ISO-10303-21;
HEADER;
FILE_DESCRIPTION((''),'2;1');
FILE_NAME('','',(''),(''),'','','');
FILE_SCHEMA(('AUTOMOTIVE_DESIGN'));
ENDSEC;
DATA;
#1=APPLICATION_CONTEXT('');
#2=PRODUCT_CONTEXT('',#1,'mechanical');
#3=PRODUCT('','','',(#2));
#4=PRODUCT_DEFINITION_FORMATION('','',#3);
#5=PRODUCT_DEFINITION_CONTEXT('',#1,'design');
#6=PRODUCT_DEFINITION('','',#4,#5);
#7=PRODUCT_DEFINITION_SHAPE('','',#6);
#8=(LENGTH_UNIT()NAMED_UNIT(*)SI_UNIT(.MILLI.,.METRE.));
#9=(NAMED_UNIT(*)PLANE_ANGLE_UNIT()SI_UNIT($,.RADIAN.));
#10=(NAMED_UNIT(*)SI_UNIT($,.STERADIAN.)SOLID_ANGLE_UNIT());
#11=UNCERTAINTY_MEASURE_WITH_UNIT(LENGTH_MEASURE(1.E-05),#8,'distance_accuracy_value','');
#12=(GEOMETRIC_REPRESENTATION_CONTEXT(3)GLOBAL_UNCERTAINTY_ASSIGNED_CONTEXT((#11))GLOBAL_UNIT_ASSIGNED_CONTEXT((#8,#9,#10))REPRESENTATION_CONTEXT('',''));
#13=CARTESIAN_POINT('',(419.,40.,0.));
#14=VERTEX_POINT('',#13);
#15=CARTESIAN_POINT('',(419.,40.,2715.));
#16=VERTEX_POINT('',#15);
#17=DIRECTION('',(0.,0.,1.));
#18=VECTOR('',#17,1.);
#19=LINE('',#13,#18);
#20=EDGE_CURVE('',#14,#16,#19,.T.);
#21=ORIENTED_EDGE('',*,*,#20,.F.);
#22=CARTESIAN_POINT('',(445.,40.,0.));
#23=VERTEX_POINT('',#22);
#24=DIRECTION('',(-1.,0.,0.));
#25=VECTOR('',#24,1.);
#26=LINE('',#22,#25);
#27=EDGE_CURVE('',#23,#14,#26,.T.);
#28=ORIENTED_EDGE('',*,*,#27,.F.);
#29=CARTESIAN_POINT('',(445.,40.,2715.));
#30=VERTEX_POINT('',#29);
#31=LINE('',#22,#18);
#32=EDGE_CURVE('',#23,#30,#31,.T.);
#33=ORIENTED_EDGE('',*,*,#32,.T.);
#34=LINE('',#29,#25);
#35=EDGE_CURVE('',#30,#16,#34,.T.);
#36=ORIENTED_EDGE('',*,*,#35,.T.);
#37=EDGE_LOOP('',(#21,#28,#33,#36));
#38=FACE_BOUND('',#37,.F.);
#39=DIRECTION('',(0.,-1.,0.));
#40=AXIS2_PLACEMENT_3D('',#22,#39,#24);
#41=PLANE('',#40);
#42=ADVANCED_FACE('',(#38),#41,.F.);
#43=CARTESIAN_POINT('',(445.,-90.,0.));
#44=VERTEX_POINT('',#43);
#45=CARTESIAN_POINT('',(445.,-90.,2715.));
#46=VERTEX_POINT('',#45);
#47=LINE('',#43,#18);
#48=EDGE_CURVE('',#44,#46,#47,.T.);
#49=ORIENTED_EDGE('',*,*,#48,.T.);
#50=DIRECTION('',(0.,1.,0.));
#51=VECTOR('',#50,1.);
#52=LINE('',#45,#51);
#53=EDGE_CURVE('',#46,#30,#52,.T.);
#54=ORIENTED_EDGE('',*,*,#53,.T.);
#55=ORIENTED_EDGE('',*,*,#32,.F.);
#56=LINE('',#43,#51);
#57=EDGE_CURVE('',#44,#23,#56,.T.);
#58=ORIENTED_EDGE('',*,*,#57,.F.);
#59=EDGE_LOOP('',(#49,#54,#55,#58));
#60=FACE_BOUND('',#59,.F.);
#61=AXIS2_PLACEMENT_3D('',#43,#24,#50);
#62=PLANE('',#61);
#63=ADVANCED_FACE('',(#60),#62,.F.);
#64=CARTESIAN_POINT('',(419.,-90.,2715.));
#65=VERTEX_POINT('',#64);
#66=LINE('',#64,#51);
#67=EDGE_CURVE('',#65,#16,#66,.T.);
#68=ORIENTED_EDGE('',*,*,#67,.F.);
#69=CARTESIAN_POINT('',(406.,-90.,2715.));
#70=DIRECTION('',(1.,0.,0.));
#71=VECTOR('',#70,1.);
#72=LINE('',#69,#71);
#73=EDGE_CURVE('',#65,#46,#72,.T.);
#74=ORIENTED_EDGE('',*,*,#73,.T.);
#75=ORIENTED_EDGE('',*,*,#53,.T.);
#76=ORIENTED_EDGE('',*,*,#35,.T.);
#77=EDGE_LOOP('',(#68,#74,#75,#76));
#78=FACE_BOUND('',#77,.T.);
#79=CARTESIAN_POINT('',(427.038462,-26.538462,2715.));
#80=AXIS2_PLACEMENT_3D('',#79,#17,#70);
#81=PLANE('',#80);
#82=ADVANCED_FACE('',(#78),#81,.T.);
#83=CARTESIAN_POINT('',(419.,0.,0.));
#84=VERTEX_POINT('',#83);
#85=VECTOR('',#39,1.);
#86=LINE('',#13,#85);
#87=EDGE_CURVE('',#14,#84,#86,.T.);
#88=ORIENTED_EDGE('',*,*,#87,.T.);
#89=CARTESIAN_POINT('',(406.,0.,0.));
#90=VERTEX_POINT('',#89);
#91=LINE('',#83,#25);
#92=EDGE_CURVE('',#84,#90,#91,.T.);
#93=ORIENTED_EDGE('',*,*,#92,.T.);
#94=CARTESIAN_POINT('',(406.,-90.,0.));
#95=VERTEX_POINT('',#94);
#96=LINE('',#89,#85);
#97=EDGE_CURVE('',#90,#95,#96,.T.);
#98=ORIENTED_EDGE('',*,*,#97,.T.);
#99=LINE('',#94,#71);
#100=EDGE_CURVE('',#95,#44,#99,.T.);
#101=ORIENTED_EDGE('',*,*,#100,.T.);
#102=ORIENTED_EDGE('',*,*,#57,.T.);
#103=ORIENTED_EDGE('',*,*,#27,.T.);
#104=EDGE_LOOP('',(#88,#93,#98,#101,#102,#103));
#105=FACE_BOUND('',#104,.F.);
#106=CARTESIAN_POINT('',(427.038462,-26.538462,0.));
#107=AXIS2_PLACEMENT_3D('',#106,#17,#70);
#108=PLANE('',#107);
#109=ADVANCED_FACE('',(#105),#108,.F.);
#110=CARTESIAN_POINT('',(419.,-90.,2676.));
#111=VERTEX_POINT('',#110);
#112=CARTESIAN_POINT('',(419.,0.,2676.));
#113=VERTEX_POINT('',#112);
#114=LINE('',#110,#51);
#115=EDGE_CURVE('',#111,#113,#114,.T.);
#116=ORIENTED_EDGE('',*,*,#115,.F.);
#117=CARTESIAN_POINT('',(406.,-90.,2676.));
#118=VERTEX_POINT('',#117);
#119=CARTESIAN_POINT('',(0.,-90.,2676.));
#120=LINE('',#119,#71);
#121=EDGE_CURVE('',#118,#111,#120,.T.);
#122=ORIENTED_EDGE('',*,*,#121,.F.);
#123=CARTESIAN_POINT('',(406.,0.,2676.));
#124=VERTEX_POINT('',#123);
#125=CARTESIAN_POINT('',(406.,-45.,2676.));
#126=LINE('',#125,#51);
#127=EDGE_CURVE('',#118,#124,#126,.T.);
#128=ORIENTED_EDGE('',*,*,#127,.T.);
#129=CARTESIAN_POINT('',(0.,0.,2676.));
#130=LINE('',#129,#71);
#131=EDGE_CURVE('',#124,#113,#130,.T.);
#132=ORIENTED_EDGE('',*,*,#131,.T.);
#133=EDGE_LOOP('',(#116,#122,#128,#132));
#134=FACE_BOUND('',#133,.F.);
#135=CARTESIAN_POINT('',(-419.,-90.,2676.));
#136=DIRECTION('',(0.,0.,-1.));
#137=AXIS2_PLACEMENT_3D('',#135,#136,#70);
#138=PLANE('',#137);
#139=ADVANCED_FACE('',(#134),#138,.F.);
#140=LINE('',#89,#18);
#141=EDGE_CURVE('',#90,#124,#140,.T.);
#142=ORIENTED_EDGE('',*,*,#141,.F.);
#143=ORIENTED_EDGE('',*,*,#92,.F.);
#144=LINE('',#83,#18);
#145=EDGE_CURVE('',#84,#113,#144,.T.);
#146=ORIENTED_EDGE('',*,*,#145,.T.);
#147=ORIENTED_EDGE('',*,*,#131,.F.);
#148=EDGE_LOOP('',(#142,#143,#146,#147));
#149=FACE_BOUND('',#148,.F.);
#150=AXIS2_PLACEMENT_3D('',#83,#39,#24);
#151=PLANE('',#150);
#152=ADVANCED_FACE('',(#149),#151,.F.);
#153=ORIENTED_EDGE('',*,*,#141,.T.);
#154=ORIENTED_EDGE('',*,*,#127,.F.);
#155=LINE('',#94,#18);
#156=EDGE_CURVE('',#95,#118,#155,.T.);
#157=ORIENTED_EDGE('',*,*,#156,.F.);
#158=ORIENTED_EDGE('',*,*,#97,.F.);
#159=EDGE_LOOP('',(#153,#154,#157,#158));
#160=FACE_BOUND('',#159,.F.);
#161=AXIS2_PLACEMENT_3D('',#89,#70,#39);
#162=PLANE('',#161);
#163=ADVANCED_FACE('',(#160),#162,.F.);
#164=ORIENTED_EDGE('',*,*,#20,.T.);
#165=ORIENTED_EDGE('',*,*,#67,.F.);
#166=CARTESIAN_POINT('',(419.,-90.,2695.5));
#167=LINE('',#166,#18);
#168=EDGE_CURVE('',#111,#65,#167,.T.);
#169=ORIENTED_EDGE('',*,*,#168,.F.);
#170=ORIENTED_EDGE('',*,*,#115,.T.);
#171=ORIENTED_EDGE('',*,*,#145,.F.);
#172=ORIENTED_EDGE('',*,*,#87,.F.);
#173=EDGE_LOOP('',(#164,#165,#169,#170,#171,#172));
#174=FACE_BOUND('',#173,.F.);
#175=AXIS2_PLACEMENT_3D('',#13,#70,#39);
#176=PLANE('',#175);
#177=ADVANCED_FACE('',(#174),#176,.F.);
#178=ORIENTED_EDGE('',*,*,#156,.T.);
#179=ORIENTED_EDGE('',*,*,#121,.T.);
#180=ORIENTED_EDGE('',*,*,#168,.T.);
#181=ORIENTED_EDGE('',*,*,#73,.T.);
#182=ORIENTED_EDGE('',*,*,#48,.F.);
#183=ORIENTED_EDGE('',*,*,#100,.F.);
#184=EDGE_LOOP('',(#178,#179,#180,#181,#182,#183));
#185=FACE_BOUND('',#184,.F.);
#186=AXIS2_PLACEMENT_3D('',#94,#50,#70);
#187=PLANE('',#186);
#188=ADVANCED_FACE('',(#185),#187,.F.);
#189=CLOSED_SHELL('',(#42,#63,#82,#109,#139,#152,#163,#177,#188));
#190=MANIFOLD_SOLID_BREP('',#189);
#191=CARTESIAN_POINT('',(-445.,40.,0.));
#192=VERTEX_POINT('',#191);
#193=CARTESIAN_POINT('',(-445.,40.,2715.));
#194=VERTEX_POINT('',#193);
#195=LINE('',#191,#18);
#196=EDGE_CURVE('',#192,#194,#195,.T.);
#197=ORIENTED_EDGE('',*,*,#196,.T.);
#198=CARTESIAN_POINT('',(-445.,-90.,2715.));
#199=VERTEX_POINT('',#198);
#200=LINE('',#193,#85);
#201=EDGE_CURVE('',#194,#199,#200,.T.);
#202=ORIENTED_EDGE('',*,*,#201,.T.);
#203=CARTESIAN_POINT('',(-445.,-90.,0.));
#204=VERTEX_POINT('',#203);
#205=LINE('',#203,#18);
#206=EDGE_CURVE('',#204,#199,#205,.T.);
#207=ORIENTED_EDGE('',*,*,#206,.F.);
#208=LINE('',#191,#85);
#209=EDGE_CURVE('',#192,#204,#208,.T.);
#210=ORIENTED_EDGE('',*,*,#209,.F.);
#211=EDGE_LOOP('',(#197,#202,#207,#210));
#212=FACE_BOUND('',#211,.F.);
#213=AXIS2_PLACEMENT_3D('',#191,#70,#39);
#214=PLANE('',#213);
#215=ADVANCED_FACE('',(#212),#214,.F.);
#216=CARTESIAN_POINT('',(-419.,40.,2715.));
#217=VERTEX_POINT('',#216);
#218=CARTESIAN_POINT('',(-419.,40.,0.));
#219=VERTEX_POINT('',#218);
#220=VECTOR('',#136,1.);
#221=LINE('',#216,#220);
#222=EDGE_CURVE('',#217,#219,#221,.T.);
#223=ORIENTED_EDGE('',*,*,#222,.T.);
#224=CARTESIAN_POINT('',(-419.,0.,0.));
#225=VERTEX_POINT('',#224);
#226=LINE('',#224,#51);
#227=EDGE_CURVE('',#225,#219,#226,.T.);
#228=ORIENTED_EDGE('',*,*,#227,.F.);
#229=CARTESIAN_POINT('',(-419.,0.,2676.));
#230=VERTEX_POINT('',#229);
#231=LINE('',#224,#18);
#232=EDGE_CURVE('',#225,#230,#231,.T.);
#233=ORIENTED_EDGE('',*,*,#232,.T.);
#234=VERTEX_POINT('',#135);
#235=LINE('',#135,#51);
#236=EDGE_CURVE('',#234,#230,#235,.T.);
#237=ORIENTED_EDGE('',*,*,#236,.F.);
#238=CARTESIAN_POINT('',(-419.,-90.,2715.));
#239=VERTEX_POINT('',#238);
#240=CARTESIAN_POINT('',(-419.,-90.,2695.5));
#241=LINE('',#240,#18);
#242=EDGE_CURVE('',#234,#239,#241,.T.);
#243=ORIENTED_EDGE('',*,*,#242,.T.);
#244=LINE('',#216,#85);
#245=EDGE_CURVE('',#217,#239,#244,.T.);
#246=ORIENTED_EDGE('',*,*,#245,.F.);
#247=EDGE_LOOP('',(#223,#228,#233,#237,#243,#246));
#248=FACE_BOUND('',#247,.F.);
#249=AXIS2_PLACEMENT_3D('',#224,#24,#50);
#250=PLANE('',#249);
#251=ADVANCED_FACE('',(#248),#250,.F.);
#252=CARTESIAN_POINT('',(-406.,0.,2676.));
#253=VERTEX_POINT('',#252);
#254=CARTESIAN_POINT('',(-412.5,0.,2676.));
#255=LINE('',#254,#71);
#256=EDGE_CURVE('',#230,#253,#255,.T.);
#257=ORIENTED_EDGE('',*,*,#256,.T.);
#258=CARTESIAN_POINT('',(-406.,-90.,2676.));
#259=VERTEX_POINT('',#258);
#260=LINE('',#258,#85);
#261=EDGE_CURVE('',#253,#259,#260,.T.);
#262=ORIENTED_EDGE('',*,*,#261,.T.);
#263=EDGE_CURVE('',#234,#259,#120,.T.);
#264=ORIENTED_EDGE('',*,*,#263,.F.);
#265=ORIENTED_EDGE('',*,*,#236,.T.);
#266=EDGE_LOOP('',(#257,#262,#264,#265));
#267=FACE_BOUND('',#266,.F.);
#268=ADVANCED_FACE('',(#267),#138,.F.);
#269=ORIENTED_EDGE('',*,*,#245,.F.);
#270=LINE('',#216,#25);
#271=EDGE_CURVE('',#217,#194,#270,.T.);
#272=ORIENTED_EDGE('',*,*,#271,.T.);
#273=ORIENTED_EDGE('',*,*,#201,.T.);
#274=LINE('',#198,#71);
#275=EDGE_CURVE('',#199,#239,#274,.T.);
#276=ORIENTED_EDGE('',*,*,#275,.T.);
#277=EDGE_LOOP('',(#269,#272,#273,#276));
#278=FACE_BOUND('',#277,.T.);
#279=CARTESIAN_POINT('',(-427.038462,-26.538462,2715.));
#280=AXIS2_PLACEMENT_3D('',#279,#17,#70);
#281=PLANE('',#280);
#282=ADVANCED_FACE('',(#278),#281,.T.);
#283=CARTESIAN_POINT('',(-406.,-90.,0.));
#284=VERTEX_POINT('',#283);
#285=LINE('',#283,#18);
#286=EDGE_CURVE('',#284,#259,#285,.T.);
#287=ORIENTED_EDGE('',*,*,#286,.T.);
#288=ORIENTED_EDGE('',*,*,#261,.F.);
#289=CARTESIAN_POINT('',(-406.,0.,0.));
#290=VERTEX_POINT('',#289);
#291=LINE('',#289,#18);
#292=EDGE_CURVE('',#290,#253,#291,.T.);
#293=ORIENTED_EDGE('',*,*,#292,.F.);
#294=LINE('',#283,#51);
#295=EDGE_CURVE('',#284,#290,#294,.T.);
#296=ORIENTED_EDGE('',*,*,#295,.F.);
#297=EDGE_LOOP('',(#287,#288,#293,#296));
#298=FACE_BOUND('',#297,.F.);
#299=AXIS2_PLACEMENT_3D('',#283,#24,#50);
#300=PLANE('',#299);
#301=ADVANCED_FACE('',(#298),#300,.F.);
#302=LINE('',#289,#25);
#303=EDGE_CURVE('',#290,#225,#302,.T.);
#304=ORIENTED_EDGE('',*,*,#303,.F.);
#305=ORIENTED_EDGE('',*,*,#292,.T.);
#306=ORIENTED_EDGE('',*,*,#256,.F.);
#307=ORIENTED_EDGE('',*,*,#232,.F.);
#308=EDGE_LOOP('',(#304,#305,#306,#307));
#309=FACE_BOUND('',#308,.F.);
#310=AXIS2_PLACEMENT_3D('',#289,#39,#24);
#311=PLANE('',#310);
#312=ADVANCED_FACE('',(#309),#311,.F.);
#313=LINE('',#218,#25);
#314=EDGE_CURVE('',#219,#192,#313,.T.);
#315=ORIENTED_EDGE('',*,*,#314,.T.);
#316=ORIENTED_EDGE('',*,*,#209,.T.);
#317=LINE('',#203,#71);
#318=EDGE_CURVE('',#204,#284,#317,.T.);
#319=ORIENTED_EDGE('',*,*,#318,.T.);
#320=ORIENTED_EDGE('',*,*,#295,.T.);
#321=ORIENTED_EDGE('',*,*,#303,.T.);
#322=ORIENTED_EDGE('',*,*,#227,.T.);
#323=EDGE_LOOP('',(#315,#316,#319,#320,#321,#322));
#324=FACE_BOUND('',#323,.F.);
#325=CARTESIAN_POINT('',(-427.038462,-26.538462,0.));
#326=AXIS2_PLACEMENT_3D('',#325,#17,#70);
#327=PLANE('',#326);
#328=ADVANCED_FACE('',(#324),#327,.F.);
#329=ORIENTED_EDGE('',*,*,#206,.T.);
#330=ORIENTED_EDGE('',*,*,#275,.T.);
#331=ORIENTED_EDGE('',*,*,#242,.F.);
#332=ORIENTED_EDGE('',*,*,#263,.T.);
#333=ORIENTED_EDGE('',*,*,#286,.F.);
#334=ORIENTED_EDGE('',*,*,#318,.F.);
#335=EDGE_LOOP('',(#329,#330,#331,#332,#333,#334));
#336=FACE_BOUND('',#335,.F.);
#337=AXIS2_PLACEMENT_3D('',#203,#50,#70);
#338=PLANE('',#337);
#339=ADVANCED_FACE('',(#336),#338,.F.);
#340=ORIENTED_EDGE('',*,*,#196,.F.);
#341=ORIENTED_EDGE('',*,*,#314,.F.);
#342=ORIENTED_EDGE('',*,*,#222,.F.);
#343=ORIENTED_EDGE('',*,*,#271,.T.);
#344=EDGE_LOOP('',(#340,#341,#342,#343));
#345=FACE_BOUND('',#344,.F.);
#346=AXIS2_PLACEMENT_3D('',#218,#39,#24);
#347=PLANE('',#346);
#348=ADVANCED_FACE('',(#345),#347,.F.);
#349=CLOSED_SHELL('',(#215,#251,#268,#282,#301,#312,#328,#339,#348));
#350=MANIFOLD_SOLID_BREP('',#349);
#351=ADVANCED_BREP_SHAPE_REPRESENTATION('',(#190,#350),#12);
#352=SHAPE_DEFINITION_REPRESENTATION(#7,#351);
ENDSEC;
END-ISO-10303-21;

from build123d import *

# Parameters (mm, degrees)
F1_DEPTH = 2715
F2_W     = 838
F2_H     = 39
F3_DEPTH = 130


with BuildPart() as f1:
    # F0 (on Top) → F1 (new body)
    with BuildSketch(Plane.XY):
        Polygon((-419, 40), (-445, 40), (-445, -90), (-406, -90), (-406, 0), (-419, 0), align=None)
        Polygon((445, 40), (419, 40), (419, 0), (406, 0), (406, -90), (445, -90), align=None)
    extrude(amount=F1_DEPTH)

    # F2 (on face) → F3 (cut)
    with BuildSketch(Plane.XZ.offset(90)):
        with Locations((0, 2695.5)):
            Rectangle(F2_W, F2_H)
    extrude(amount=-F3_DEPTH, mode=Mode.SUBTRACT)


solid = f1.part
